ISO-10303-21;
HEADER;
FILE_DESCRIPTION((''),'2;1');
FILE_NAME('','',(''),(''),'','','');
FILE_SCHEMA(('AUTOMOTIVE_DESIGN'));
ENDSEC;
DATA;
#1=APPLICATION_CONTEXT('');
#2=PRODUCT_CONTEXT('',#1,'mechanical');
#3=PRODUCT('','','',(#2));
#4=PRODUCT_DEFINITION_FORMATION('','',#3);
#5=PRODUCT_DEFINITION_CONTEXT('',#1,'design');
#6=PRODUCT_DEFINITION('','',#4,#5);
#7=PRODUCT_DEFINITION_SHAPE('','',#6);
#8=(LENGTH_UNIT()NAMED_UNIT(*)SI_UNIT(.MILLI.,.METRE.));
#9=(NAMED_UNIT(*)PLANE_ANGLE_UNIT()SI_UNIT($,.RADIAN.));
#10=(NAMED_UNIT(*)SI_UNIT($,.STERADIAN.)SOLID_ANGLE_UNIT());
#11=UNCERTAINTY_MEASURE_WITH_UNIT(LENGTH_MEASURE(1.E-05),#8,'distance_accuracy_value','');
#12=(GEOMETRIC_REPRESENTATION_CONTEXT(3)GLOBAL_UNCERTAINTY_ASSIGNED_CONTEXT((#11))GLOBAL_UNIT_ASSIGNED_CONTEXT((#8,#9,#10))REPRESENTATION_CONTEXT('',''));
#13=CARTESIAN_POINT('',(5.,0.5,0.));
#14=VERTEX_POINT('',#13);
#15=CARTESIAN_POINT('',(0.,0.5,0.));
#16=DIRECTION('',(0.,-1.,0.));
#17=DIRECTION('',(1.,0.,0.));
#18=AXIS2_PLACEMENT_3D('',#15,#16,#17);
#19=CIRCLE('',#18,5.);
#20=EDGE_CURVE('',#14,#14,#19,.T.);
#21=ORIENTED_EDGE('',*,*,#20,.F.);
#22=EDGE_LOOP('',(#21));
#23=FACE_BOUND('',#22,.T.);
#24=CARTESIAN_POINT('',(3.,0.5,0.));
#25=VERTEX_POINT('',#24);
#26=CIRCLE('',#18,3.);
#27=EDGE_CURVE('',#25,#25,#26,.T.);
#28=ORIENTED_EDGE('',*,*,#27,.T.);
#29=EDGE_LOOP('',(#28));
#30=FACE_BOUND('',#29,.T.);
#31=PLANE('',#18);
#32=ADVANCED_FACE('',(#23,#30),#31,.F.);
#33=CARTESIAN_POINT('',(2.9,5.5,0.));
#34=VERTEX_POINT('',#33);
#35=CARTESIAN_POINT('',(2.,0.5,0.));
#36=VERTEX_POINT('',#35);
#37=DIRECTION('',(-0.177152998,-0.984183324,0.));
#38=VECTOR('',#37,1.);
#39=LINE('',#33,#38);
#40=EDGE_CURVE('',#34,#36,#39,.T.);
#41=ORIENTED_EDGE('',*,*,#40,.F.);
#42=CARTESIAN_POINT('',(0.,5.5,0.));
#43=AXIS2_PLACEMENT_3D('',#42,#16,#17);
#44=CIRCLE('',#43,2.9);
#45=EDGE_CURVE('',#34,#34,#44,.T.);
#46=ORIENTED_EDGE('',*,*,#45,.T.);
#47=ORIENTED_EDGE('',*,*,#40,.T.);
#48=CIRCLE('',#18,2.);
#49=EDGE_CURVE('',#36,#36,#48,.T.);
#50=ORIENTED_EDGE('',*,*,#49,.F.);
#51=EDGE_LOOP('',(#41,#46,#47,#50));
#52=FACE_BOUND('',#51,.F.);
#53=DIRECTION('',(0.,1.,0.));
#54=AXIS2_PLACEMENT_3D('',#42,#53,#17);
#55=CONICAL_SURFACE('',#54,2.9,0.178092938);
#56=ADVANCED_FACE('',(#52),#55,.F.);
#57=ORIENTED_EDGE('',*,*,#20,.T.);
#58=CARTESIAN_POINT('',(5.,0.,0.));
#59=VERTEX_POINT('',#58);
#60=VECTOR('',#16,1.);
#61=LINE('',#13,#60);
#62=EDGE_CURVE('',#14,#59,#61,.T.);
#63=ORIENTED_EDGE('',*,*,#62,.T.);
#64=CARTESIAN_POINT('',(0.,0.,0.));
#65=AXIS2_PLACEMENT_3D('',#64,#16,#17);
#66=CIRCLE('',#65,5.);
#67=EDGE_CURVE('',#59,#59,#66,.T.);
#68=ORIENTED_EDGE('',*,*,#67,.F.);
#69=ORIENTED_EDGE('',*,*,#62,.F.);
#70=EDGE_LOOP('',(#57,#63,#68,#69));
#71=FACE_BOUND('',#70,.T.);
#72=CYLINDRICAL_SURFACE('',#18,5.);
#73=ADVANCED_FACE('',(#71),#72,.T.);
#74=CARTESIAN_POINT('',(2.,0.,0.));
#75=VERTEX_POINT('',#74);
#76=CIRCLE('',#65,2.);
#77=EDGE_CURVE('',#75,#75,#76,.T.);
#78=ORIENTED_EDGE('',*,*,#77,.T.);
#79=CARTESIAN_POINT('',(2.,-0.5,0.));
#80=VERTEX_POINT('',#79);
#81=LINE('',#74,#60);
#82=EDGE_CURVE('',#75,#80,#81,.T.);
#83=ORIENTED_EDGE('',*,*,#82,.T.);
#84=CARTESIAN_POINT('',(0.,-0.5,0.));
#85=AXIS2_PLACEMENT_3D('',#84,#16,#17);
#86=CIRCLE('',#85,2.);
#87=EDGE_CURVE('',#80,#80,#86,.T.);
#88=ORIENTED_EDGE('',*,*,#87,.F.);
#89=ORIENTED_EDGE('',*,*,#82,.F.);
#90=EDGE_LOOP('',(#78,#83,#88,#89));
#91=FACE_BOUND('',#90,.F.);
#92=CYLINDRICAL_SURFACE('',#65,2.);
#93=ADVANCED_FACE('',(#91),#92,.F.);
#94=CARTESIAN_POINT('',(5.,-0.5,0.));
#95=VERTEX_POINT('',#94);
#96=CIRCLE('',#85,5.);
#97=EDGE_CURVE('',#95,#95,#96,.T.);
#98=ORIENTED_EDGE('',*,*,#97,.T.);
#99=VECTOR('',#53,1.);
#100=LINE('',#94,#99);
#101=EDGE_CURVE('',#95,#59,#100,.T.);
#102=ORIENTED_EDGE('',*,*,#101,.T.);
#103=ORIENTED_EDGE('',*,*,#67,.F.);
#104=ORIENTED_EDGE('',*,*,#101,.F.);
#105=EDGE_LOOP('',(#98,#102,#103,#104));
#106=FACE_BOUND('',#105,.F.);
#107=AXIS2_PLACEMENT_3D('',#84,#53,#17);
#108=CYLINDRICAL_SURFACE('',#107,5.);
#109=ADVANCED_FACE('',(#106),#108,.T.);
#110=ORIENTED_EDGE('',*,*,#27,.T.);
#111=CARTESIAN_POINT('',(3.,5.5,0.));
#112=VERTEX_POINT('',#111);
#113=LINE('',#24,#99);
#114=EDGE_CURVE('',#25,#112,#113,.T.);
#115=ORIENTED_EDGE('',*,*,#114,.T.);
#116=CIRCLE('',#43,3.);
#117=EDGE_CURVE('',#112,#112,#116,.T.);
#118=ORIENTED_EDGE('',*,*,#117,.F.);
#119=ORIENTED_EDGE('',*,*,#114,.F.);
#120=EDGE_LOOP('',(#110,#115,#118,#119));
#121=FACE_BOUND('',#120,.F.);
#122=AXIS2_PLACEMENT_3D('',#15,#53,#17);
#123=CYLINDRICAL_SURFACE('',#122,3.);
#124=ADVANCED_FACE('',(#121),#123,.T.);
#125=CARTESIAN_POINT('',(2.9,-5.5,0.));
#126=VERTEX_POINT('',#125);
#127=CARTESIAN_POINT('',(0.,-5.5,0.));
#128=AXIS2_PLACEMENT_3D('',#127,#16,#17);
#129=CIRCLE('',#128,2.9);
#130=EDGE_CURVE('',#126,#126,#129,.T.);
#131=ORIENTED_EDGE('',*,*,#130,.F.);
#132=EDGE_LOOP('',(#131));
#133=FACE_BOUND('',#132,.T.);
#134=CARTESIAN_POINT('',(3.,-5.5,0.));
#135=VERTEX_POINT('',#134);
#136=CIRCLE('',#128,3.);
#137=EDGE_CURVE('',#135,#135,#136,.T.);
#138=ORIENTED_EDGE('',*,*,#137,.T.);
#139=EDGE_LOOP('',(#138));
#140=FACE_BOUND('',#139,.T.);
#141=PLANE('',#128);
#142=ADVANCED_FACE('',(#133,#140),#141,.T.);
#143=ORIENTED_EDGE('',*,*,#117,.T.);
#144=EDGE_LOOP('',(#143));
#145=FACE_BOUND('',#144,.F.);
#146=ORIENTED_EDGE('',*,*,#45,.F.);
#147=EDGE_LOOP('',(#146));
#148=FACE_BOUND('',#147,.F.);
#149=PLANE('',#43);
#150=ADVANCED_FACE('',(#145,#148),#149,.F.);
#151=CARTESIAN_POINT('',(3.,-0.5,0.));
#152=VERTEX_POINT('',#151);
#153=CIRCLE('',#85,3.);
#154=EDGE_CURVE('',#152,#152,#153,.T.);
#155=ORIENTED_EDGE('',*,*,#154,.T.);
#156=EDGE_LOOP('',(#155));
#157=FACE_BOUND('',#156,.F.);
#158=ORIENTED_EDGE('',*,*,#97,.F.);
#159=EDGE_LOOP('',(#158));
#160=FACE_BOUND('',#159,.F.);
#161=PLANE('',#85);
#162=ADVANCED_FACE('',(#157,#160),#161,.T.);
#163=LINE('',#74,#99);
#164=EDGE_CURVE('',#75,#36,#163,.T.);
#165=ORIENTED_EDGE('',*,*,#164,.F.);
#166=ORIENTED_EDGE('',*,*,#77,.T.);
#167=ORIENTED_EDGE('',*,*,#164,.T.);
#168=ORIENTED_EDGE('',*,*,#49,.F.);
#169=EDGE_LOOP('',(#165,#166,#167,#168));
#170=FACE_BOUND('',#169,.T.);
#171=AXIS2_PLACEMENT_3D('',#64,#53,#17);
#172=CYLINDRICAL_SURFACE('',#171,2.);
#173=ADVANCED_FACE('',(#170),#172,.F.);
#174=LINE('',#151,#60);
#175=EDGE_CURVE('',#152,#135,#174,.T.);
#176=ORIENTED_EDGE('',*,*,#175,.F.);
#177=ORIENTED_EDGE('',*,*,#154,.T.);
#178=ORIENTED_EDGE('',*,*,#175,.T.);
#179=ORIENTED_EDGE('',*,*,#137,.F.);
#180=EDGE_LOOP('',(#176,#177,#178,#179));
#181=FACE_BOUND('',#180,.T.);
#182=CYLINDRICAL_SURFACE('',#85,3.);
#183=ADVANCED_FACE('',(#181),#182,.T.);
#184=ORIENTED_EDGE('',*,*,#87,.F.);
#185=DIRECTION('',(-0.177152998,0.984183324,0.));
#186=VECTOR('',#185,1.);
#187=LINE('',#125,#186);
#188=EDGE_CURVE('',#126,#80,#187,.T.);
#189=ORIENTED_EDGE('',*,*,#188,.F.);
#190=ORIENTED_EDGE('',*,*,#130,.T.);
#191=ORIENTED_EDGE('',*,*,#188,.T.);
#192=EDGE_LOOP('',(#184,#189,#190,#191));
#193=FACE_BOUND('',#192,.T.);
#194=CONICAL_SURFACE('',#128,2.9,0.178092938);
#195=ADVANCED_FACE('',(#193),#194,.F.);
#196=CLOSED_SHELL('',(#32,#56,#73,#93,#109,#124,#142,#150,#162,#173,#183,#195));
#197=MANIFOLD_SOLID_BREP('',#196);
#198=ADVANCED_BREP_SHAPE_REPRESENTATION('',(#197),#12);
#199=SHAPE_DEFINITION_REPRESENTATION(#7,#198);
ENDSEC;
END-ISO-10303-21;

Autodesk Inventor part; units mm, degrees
ref_plane "YZ Plane" through (0, 0, 0) normal (1, 0, 0) x (0, 1, 0)
ref_plane "XZ Plane" through (0, 0, 0) normal (0, 1, 0) x (-1, 0, 0)
ref_plane "XY Plane" through (0, 0, 0) normal (0, 0, 1) x (1, 0, 0)
sketch "Sketch1" plane through (0, 0, 0) normal (0, 0, 1) x (1, 0, 0)
  line L0 (0, 7.4625) -> (0, -7.4625)
  line L1 (-17.6657, 0) -> (17.6657, 0) construction
  line L2 (2, 0.5) -> (5, 0.5)
  line L3 (5, 0.5) -> (5, 0)
  line L4 (5, 0) -> (2, 0)
  line L5 (2, 0) -> (2, 0.5)
  line L6 (3, 0.5) -> (3, 5.5)
  line L7 (3, 5.5) -> (2.9, 5.5)
  line L8 (2.9, 5.5) -> (2, 0.5)
  line L9 (2, -0.5) -> (5, -0.5)
  line L10 (5, -0.5) -> (5, 0)
  line L11 (2, 0) -> (2, -0.5)
  line L12 (3, -0.5) -> (3, -5.5)
  line L13 (3, -5.5) -> (2.9, -5.5)
  line L14 (2.9, -5.5) -> (2, -0.5)
  point P0 (0, 0)
  point P1 (0, 0)
  dimension "d5" = 5
  dimension "d6" = 0.5
  dimension "d7" = 0.1
  dimension "d8" = 6
  dimension "d9" = 1
  dimension "d10" = 10
revolve "Revolution1" add sketch "Sketch1" angle 360 about axis through (0, 7.4625, 0) along (0, -1, 0)
equation "\"d5\" = cn_h"
equation "\"d6\" = 0.5 * w_th"
equation "\"d7\" = tol"
equation "\"d8\" = t_D"
equation "\"d9\" = w_th"
equation "\"d10\" = top_D"
equation "\"tol\" = 0.1"
equation "\"w_th\" = 1"
equation "\"t_D\" = 6"
equation "\"top_D\" = 10"
equation "\"cn_h\" = 5"
equation "\"fillet_D\" = 2"
equation "\"w_l\" = 6"
equation "\"t_D_f\" = t_D + w_th"
equation "\"top_th\" = t_D + w_th"
equation "\"top_th_f\" = t_D_f + cn_h"
equation "\"lv_OD\" = 26"
equation "\"lv_th\" = 1.6"
equation "\"sv_OD\" = 13"
equation "\"sv_th\" = 1.5"
equation "\"b_OD\" = 44"
equation "\"b_th\" = 1.5"
equation "\"b_ID\" = 36.5"
equation "\"b_rim_h\" = 5"
equation "\"h_D\" = 0.9"
equation "\"h_s\" = 2.25"
equation "\"v_h_D\" = 7.5"
equation "\"v_h_off\" = 0.5 * cn_D + 0.5 * v_h_D"
equation "\"cn_D\" = 13.2"
properties part number "adapter"
